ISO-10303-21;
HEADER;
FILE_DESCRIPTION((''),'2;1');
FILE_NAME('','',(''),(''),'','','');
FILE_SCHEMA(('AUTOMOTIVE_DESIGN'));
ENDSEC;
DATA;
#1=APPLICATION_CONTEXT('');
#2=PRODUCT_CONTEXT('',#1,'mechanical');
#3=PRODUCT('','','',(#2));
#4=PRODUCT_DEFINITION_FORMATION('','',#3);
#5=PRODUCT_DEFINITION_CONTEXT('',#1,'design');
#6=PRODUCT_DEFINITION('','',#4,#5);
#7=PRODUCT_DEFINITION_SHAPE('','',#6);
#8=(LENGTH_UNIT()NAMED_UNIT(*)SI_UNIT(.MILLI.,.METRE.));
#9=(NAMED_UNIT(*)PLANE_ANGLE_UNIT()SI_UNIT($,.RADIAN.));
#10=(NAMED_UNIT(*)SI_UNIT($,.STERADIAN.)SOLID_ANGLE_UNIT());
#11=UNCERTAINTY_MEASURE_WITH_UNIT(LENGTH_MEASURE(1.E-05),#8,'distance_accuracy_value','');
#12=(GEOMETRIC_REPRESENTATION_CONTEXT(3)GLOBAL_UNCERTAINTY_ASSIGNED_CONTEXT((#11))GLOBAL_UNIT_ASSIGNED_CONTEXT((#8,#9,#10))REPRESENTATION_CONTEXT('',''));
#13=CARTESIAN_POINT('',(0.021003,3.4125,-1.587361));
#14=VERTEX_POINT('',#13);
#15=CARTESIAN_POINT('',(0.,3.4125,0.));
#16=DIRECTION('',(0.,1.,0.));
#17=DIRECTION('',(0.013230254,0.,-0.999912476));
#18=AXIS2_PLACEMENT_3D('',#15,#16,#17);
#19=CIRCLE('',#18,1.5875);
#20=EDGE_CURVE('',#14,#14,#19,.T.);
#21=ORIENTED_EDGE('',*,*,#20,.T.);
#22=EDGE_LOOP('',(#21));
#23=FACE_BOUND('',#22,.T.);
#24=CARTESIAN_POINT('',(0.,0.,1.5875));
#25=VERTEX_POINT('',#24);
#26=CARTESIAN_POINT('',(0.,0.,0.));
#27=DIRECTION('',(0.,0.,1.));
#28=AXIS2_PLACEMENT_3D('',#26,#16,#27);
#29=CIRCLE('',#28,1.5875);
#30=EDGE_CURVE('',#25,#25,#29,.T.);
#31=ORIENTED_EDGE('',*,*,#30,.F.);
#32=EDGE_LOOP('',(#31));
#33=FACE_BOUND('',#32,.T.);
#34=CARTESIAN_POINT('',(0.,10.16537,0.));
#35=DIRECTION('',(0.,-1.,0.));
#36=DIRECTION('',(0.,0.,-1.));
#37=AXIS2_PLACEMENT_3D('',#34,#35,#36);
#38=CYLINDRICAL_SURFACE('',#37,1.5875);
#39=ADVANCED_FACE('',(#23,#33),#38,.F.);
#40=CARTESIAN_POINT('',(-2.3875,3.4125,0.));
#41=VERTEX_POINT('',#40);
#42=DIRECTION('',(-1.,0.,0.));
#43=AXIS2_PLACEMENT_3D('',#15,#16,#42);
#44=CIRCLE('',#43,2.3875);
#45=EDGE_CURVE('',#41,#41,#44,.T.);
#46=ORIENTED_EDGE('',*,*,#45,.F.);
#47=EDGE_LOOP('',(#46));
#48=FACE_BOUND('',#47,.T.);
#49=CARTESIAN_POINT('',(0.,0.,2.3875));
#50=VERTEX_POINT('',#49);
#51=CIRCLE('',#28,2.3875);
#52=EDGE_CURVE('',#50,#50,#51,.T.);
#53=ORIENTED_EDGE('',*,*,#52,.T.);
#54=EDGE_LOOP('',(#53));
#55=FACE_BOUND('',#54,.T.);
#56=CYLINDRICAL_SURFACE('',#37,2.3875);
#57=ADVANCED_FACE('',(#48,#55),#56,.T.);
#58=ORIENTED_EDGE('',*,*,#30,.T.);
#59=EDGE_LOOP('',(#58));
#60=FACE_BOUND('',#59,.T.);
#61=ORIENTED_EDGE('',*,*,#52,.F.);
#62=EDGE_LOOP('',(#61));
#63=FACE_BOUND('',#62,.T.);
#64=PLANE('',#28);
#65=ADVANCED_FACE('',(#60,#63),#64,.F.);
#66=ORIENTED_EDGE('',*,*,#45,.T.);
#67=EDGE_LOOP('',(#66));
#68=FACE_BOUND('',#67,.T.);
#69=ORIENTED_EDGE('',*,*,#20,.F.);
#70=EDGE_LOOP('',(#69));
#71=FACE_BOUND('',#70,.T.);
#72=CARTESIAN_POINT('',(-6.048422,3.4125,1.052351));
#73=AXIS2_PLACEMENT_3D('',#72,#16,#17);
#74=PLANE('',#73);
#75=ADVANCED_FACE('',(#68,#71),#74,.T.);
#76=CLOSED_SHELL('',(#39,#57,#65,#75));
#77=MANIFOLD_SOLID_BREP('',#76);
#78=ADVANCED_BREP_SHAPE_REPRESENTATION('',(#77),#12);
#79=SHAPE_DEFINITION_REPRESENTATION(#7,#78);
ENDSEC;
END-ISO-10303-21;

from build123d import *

# Parameters (mm, degrees)
SKETCH1_R           = 2.3875
SKETCH1_R_2         = 1.5875
BOSS_EXTRUDE1_DEPTH = 3.4125


with BuildPart() as part:
    # Sketch1 → Boss-Extrude1 (new body)
    with BuildSketch(Plane(origin=(0, 0, 0), x_dir=(1, 0, 0), z_dir=(0, 1, 0))):
        with Locations(Location((0, 0, 0), (0, 0, 180))):
            Circle(SKETCH1_R)
        with Locations(Location((0, 0, 0), (0, 0, 89.24194014))):
            Circle(SKETCH1_R_2, mode=Mode.SUBTRACT)
    extrude(amount=BOSS_EXTRUDE1_DEPTH)


solid = part.part
